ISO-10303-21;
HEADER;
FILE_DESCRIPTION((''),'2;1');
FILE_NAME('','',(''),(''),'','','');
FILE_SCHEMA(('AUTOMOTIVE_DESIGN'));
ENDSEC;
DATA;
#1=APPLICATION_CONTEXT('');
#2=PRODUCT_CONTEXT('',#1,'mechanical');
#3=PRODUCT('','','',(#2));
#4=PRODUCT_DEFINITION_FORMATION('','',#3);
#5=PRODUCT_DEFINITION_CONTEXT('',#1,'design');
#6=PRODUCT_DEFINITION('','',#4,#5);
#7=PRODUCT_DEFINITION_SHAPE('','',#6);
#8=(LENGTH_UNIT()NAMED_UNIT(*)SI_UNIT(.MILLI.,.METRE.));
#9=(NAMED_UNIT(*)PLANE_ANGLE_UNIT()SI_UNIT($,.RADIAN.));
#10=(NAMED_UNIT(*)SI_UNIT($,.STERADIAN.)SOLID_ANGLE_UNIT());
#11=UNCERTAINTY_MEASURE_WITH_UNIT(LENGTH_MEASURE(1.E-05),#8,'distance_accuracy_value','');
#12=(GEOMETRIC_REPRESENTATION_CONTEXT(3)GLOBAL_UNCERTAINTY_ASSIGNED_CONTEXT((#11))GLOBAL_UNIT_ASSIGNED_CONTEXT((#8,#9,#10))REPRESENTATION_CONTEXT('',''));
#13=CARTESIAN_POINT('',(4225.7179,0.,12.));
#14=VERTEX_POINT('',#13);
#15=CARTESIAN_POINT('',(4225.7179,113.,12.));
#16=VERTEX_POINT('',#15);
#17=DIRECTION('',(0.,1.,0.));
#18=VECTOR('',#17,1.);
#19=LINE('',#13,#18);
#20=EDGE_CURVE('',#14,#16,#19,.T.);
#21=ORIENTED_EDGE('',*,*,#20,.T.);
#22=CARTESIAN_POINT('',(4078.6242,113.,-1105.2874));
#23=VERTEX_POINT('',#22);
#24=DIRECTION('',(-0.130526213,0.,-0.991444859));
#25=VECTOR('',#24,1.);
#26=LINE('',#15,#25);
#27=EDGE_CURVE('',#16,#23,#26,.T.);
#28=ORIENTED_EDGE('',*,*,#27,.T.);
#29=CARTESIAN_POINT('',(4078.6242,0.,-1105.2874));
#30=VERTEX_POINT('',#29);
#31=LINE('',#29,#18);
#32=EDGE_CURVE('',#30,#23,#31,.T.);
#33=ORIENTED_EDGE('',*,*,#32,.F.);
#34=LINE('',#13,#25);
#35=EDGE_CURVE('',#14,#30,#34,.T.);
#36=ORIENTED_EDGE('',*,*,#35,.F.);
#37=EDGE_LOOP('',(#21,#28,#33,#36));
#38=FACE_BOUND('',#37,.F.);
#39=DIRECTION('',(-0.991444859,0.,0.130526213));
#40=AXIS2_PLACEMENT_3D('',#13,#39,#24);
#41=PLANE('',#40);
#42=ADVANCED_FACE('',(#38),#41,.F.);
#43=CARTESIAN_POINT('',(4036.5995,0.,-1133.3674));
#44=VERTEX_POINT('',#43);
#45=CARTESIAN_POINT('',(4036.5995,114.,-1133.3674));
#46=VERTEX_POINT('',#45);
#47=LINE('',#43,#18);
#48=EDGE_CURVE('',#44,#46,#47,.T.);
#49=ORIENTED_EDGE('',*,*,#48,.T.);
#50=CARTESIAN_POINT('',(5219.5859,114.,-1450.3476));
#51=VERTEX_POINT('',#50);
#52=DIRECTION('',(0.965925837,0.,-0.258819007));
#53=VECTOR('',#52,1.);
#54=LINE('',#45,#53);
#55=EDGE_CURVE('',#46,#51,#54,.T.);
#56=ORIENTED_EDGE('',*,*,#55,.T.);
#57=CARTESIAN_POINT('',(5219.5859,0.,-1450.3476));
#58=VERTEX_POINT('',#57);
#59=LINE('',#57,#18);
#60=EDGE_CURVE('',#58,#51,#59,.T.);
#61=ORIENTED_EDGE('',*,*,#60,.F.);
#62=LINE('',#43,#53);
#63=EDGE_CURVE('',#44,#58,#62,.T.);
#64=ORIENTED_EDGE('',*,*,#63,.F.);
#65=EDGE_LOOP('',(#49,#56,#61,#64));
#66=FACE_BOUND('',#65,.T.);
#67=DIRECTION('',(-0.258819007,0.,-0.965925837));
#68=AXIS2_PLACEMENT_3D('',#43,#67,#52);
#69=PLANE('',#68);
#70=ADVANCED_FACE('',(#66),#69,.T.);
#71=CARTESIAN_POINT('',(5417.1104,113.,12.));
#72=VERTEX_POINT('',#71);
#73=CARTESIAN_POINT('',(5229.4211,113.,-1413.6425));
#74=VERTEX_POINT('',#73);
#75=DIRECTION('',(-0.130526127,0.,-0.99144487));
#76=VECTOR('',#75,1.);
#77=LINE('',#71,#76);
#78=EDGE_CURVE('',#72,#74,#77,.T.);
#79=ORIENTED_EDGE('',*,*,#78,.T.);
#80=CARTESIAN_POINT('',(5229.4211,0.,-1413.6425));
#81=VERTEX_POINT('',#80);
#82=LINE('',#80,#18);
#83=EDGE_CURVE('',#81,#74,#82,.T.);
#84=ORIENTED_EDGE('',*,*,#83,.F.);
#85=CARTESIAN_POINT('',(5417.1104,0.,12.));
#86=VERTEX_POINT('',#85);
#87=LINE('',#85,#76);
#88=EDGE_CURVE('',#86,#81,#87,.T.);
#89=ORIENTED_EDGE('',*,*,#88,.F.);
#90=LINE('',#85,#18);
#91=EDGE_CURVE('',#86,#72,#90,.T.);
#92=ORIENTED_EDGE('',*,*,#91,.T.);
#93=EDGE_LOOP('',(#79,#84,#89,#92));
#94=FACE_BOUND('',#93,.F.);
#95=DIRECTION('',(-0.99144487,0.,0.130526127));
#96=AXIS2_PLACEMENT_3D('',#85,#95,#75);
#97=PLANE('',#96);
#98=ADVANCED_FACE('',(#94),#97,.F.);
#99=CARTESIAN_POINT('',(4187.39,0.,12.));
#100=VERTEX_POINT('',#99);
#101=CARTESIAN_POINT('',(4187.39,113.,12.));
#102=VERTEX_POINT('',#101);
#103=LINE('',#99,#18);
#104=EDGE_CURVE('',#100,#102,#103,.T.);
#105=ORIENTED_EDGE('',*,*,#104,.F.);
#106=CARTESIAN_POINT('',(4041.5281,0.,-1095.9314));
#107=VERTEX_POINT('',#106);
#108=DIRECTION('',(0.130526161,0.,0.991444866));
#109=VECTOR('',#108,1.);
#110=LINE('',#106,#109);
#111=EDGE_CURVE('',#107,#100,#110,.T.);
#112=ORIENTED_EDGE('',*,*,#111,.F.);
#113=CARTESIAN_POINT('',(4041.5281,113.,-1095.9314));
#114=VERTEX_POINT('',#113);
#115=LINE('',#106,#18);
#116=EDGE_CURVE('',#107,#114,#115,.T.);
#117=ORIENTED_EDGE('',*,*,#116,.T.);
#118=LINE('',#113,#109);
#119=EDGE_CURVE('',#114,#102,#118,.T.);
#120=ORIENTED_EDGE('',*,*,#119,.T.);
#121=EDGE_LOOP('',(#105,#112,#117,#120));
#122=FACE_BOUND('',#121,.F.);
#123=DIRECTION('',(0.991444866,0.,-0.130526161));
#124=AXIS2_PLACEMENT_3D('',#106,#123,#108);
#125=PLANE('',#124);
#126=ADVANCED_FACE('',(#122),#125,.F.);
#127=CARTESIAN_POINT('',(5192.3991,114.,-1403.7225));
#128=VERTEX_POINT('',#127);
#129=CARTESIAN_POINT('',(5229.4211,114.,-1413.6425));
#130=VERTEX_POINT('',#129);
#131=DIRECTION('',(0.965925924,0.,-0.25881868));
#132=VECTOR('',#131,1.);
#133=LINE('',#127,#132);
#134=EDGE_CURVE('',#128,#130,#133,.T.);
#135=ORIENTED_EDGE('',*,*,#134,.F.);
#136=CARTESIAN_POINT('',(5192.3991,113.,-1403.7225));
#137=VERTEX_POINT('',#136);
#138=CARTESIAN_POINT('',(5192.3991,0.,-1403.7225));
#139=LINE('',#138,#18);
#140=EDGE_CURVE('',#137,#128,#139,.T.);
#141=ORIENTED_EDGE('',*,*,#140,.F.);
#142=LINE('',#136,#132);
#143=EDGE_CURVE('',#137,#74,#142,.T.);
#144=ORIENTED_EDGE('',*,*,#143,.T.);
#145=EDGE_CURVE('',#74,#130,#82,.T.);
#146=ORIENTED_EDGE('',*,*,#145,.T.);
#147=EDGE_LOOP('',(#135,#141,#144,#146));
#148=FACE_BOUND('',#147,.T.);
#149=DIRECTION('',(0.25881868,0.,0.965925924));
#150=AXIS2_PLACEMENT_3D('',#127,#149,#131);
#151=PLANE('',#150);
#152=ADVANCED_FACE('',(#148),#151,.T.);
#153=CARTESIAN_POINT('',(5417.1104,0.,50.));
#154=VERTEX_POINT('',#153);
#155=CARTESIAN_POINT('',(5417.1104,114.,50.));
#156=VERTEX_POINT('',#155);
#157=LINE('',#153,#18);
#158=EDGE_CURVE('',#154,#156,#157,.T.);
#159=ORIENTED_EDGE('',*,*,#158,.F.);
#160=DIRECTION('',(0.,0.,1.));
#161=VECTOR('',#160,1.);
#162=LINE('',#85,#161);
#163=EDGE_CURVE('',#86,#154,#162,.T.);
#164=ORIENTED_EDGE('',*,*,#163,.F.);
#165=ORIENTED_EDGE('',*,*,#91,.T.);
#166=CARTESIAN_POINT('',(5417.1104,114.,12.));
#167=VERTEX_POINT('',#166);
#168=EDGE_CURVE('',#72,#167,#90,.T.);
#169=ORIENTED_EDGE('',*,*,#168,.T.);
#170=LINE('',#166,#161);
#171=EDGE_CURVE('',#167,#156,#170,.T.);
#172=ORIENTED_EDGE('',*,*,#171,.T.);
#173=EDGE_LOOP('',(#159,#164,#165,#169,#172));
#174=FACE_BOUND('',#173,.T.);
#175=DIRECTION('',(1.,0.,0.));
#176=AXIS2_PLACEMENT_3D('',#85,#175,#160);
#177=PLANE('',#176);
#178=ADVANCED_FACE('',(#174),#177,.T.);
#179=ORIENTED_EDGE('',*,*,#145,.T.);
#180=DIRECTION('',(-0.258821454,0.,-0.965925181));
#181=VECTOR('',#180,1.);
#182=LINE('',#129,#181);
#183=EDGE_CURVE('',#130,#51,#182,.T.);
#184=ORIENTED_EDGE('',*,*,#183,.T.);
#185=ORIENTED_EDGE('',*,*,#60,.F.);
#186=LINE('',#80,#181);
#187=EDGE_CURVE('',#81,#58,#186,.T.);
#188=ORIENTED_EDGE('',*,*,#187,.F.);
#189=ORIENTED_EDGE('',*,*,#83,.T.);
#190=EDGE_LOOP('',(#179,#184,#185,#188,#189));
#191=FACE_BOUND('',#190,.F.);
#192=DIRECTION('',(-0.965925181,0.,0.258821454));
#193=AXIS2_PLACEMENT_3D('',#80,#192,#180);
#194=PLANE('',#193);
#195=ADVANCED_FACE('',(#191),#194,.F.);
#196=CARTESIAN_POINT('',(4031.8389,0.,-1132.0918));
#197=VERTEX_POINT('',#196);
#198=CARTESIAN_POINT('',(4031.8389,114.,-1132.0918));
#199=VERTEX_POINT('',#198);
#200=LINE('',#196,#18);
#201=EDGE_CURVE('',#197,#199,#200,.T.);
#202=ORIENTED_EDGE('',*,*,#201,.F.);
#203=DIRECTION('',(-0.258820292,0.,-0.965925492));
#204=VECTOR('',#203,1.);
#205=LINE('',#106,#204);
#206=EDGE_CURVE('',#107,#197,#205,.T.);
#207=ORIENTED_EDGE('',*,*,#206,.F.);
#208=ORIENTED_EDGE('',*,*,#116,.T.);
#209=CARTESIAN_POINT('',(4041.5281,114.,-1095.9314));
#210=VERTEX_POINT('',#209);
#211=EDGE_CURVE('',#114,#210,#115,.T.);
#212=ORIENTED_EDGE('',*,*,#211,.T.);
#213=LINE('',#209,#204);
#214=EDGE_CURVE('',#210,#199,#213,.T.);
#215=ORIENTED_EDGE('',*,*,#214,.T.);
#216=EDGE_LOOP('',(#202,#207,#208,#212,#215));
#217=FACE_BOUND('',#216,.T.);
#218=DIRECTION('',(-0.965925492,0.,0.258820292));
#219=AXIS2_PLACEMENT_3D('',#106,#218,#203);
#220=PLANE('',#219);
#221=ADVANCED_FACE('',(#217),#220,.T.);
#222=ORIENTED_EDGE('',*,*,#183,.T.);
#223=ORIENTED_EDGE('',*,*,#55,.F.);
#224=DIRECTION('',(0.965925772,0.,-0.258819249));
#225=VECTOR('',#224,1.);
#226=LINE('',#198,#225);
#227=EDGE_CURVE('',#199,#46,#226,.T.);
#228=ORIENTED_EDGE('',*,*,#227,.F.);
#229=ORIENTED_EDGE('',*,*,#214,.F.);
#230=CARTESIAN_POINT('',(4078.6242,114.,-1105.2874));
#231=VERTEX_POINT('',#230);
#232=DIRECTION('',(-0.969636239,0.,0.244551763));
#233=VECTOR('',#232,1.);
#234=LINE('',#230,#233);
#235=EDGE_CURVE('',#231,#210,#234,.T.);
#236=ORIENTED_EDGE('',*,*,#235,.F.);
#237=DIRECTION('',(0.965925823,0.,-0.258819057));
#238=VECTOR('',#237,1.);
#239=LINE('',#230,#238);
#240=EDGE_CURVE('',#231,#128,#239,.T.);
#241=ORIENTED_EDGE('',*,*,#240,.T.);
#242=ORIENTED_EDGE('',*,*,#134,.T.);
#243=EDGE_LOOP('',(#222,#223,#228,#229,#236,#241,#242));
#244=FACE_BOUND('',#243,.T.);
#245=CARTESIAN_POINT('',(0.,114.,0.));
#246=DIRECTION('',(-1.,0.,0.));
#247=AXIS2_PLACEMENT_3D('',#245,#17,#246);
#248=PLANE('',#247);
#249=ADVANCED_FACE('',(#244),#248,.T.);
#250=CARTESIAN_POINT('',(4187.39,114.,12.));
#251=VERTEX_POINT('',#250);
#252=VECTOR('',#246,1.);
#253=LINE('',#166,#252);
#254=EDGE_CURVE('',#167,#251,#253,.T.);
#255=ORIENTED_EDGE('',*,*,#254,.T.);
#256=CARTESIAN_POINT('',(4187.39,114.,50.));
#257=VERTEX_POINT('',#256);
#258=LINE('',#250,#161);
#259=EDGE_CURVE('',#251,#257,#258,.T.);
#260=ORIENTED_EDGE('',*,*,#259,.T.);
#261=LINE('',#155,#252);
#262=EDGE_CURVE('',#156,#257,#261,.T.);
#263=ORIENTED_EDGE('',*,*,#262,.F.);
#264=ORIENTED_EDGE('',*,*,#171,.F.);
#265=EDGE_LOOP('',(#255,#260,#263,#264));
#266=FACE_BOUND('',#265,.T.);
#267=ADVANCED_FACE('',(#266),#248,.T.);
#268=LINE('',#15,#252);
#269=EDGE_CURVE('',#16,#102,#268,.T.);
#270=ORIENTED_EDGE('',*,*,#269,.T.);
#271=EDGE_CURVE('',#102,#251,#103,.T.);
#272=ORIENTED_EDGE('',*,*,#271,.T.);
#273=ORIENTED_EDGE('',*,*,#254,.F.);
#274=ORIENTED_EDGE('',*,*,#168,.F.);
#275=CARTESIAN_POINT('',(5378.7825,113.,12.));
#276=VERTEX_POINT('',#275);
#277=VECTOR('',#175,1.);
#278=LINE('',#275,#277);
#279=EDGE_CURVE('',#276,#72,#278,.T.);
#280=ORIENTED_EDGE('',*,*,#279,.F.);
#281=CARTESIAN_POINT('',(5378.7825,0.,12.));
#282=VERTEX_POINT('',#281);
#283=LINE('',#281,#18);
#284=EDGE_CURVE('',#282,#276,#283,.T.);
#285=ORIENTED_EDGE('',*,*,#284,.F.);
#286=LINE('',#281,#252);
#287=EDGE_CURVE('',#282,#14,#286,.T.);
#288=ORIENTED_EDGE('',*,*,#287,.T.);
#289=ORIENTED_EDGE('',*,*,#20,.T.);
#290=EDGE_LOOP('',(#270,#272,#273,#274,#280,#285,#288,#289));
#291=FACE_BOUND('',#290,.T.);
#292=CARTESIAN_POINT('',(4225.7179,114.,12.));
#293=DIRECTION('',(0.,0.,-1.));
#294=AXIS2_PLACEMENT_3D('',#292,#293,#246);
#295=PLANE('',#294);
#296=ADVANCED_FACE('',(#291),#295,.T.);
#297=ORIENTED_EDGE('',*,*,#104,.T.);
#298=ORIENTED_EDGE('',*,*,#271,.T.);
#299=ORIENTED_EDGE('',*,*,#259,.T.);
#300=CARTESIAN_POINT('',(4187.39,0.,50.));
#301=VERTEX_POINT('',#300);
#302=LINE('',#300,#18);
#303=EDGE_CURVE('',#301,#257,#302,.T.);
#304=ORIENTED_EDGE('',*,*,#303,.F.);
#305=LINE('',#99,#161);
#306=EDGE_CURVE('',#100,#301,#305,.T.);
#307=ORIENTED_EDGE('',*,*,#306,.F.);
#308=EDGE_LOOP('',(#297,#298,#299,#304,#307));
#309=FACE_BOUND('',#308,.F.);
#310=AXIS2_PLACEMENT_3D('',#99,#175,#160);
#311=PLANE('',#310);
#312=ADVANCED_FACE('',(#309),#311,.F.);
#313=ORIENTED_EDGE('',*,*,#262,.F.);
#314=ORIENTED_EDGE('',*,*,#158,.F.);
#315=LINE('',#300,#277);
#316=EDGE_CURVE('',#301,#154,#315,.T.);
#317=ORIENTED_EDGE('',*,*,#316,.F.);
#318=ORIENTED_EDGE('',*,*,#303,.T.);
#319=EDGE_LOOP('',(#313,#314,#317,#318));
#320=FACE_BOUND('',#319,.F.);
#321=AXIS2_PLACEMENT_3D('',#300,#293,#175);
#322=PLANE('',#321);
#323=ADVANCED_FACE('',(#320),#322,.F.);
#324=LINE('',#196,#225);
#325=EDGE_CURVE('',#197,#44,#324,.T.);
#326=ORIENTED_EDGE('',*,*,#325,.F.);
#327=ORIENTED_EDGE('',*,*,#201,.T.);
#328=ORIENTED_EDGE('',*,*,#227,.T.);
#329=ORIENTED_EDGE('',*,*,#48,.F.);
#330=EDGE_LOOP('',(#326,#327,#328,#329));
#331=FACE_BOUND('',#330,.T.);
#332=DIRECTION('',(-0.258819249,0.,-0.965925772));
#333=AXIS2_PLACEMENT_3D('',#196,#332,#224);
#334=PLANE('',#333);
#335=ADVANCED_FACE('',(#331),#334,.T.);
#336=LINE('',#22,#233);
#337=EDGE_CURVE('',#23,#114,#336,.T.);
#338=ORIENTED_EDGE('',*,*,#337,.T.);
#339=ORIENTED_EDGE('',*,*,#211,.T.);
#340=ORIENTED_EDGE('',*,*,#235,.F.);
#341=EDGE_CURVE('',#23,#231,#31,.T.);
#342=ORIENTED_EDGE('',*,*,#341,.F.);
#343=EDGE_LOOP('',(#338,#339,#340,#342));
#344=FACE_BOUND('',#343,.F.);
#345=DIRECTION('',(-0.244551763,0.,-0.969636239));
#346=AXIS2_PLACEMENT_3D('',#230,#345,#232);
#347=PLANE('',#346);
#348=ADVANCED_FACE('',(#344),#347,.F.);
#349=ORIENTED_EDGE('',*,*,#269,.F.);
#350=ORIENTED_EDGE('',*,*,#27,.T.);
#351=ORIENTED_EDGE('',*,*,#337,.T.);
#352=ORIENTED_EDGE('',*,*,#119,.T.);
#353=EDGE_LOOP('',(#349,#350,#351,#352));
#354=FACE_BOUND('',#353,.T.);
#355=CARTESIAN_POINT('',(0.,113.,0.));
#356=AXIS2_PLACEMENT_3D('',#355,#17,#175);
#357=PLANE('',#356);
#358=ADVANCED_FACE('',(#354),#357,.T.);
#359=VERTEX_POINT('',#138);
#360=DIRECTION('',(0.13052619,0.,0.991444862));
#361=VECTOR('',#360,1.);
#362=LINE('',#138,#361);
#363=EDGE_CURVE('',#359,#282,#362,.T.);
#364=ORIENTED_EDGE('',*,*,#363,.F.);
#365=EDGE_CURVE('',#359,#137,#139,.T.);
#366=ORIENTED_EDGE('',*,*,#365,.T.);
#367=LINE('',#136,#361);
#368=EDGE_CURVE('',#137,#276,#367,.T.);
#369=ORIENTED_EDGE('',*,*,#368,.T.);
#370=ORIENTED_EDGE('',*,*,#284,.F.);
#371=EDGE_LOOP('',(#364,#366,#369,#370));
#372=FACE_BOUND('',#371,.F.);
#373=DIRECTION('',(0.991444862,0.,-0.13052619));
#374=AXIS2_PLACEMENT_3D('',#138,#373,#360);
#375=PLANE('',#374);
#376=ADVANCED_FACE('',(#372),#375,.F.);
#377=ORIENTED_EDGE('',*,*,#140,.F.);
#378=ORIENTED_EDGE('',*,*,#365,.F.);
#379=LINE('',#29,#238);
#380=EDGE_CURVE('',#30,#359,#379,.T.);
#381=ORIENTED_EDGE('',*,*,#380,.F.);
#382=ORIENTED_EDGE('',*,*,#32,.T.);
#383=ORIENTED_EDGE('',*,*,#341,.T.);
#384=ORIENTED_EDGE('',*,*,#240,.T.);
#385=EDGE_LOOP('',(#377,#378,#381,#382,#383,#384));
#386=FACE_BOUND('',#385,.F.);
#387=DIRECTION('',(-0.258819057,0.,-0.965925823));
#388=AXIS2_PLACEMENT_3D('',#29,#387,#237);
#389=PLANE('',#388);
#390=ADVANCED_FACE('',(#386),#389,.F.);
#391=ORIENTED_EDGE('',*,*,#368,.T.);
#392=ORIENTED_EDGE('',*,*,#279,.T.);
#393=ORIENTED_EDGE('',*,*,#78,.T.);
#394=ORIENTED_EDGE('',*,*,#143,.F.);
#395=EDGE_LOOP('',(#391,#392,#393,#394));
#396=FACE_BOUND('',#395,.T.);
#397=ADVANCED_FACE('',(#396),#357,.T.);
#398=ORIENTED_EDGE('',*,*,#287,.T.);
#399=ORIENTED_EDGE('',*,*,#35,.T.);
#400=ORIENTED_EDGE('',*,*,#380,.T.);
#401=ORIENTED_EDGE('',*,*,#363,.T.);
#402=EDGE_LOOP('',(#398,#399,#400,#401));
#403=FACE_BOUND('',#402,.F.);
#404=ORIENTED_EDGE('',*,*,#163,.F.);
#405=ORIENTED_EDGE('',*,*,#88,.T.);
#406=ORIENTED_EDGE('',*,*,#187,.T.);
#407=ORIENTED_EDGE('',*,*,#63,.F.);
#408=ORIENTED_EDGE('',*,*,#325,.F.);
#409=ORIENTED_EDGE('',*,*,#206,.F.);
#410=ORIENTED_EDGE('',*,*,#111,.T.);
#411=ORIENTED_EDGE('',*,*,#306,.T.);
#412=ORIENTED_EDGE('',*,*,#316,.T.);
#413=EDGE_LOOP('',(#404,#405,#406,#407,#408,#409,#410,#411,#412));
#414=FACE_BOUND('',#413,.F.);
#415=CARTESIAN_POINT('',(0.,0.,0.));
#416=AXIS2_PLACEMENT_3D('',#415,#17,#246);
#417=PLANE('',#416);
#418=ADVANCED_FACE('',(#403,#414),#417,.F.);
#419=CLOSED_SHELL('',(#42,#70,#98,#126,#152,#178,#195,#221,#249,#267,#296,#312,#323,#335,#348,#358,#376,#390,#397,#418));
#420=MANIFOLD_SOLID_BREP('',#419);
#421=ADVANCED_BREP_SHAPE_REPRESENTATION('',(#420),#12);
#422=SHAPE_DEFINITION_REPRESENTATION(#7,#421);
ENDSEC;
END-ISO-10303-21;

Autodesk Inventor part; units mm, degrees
ref_plane "YZ Plane" through (0, 0, 0) normal (1, 0, 0) x (0, 1, 0)
ref_plane "XZ Plane" through (0, 0, 0) normal (0, 1, 0) x (-1, 0, 0)
ref_plane "XY Plane" through (0, 0, 0) normal (0, 0, 1) x (1, 0, 0)
sketch "Sketch1" plane through (0, 0, 0) normal (0, 1, 0) x (-1, 0, 0)
  line L0 (0, 0) -> (-12922.0343, 0) construction
  line L1 (0, 0) -> (-12360.1465, -3311.8913) construction
  line L2 (0, 0) -> (13412.8311, 0) construction
  line L3 (-4192.3928, 50) -> (-5417.1104, 50)
  line L4 (-4036.5995, -1133.3674) -> (-5219.5859, -1450.3476)
  line L5 (-5417.1104, 12) -> (-5229.4211, -1413.6425)
  line L6 (-4041.5281, -1095.9314) -> (-4187.39, 12)
  line L7 (0, 0) -> (-4114.4962, -541.6837) construction
  line L8 (0, 0) -> (4150, 0) construction
  line L9 (-5378.7825, 12) -> (-4225.7179, 12)
  line L10 (-4225.7179, 12) -> (-4078.6242, -1105.2874)
  line L11 (-4078.6242, -1105.2874) -> (-5192.3991, -1403.7225)
  line L12 (-5192.3991, -1403.7225) -> (-5378.7825, 12)
  line L13 (-5378.7825, 12) -> (-5445.5914, 12) construction
  line L14 (-5417.1104, 12) -> (-5417.1104, 50)
  line L15 (-4225.7179, 12) -> (-4187.39, 12) construction
  line L16 (-4187.39, 12) -> (-4187.39, 50)
  line L17 (-4187.39, 50) -> (-4192.3928, 50)
  line L18 (-4076.4449, -1105.2874) -> (-4041.5281, -1095.9314) construction
  line L19 (-4041.5281, -1095.9314) -> (-4031.8389, -1132.0918)
  line L20 (-4031.8389, -1132.0918) -> (-4036.5995, -1133.3674)
  line L21 (-5192.3991, -1403.7225) -> (-5229.4211, -1413.6425) construction
  line L22 (-5229.4211, -1413.6425) -> (-5219.5859, -1450.3476)
  dimension "d0" = 165
  dimension "d3" = 50
  dimension "d4" = 50
  dimension "d6" = 4150
  dimension "d7" = 172.5
  dimension "d10" = 38
extrude "Extrusion2" add sketch "Sketch1" along normal blind 114
sketch "Sketch2" plane through (0, 114, 0) normal (0, 1, 0) x (1, 0, 0)
  line L0 (4225.7179, -12) -> (4078.6242, 1105.2874) projected
  line L1 (4041.5281, 1095.9314) -> (4187.39, -12) projected
  line L2 (4187.39, -12) -> (4187.39, -50) projected
  line L3 (4078.6242, 1105.2874) -> (4041.5281, 1095.9314)
  line L4 (4225.7179, -12) -> (4187.39, -12)
  point P0 (0, 0)
extrude "Extrusion3" cut sketch "Sketch2" against normal blind 1
sketch "Sketch3" plane through (0, 114, 0) normal (0, 1, 0) x (1, 0, 0)
  line L0 (5192.3991, 1403.7225) -> (5378.7825, -12) projected
  line L1 (5417.1104, -50) -> (5417.1104, -12) projected
  line L2 (5417.1104, -12) -> (5229.4211, 1413.6425) projected
  line L3 (4031.8389, 1132.0918) -> (4041.5281, 1095.9314) projected
  line L4 (5192.3991, 1403.7225) -> (5229.4211, 1413.6425)
  line L5 (5378.7825, -12) -> (5417.1104, -12)
  point P0 (0, 0)
extrude "Extrusion4" cut sketch "Sketch3" against normal blind 1
properties part number "panelCflat" material "Wood (Birch)"
